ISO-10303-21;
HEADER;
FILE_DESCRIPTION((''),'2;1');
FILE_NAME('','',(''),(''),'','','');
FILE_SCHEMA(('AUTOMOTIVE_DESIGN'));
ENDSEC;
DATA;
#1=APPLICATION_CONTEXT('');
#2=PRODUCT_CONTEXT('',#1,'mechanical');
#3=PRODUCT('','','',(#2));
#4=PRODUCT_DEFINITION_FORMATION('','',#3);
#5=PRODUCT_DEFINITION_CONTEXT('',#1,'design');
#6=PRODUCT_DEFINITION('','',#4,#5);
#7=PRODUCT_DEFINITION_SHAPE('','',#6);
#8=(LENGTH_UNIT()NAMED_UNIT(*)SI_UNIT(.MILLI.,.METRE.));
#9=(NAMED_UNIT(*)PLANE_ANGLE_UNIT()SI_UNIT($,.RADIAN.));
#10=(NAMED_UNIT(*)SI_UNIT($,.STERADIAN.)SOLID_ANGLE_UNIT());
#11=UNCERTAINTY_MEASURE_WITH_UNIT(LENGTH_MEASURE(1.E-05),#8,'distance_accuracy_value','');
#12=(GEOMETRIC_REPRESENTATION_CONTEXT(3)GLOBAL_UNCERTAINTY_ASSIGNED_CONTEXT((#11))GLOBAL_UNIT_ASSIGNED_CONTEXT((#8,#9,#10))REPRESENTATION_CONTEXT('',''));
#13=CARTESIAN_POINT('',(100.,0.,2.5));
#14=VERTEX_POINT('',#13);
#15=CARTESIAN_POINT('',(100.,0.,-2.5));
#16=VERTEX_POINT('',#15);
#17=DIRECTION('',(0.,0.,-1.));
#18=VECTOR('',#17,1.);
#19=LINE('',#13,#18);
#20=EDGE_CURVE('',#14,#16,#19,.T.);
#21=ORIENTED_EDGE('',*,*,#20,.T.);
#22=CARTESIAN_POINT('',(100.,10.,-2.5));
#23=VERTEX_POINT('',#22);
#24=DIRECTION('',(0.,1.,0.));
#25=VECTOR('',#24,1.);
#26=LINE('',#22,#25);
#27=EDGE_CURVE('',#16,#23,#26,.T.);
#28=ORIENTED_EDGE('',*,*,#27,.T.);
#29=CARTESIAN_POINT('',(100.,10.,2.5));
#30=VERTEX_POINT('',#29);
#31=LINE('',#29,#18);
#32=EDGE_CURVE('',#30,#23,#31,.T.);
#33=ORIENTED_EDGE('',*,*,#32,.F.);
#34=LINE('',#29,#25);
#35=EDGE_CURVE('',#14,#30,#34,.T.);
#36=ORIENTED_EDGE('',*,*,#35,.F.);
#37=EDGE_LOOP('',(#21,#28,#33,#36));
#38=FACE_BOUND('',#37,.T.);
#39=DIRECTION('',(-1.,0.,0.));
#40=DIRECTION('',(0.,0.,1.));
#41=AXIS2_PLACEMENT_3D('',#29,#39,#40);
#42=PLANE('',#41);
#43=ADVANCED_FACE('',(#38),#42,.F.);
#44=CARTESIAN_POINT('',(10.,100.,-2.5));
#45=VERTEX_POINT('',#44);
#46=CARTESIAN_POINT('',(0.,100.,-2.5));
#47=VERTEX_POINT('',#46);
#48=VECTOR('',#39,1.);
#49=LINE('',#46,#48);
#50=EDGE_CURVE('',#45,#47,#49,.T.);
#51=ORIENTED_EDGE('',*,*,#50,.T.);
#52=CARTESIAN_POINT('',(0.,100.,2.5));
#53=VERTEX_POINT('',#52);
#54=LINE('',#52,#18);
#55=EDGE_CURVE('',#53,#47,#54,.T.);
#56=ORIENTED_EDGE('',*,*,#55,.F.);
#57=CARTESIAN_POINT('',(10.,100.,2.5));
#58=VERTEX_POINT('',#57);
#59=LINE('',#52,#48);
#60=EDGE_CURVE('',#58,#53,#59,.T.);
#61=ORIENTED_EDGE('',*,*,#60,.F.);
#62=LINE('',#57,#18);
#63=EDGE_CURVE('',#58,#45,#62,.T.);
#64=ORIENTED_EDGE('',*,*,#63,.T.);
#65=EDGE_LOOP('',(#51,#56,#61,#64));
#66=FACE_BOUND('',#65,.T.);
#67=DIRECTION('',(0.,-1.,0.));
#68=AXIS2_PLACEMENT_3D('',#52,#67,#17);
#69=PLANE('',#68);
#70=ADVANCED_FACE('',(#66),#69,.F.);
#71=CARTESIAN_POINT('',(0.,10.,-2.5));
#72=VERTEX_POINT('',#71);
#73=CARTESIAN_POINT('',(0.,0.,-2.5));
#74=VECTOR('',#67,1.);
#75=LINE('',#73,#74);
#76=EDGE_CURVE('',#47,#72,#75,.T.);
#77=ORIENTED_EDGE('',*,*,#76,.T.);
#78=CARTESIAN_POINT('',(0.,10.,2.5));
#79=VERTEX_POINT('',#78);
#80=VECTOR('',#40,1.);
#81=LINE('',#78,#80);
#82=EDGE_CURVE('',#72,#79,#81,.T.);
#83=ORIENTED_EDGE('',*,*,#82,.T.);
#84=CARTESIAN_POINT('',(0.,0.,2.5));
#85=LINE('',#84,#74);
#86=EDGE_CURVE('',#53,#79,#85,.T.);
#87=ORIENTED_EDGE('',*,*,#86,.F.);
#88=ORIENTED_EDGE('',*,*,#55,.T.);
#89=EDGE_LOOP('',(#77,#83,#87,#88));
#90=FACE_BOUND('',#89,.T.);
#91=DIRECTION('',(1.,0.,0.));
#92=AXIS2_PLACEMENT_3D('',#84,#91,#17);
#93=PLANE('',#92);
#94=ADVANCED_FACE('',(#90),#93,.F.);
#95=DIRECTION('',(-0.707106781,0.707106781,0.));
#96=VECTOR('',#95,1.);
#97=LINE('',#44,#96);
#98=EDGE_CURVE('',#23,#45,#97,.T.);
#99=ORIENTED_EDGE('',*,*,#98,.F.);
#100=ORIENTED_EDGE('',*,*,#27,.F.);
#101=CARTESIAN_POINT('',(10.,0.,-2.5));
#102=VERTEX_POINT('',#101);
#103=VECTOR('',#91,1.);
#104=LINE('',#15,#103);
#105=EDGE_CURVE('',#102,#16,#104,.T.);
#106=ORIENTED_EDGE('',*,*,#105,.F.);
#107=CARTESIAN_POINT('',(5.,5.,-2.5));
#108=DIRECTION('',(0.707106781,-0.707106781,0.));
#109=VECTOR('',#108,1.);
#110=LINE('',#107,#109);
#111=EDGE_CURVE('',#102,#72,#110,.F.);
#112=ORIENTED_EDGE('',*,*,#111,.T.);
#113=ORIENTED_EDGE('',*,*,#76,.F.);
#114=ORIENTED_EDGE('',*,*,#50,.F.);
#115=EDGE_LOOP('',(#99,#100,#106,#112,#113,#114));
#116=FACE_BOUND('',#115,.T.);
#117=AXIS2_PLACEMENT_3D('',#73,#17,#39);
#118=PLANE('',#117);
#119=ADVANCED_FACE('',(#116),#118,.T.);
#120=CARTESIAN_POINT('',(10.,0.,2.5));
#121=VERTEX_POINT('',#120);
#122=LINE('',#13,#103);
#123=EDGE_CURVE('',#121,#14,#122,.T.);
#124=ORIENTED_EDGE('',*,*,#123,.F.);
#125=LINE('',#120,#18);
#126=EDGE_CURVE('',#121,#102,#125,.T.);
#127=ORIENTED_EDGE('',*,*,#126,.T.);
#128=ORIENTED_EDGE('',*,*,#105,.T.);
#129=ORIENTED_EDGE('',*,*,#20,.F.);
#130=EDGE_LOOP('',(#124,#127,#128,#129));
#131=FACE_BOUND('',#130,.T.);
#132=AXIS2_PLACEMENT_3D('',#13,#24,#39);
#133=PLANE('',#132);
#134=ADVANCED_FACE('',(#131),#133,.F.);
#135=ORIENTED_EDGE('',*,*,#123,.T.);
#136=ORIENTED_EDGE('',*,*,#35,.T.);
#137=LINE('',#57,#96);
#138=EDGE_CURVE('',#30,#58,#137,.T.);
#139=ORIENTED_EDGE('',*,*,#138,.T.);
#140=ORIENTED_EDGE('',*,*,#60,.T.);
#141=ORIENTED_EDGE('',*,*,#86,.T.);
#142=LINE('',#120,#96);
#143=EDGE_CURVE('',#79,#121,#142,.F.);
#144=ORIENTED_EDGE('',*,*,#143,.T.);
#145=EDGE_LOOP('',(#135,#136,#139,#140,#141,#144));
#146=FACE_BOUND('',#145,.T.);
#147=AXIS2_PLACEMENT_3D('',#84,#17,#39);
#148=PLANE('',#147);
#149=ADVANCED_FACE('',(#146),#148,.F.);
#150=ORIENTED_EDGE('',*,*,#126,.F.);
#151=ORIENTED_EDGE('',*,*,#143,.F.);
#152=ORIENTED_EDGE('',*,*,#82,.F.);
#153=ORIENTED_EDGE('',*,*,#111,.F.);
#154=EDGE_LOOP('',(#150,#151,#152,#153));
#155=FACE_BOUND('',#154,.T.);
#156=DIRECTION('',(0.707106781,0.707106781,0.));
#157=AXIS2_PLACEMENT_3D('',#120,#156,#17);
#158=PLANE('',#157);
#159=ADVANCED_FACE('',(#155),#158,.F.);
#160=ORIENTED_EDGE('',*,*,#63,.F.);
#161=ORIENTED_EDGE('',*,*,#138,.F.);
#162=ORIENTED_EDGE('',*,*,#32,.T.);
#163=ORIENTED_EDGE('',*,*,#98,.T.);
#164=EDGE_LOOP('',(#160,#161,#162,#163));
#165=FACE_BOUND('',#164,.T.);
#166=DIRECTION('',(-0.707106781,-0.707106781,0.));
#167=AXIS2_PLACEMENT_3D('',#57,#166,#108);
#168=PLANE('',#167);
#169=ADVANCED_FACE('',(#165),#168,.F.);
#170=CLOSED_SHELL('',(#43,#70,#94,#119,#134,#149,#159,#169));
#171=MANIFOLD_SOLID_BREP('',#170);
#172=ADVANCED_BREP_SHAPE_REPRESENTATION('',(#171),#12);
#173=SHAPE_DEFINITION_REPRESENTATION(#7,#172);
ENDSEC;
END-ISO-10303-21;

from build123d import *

# Parameters (mm, degrees)
EXTRUDE_1_DEPTH = 2.5
CHAMFER_1_SIZE  = 10


with BuildPart() as part:
    # Эскиз1 → Бобышка-Вытянуть1 (new, symmetric)
    with BuildSketch(Plane.XY):
        Polygon((0, 0), (0, 100), (10, 100), (100, 10), (100, 0), align=None)
    extrude(amount=EXTRUDE_1_DEPTH, both=True)

    # Фаска1
    chamfer_1_edges = [part.edges().sort_by_distance(p)[0] for p in [
        (0, 0, 0),
    ]]
    chamfer(chamfer_1_edges, length=CHAMFER_1_SIZE)


solid = part.part
